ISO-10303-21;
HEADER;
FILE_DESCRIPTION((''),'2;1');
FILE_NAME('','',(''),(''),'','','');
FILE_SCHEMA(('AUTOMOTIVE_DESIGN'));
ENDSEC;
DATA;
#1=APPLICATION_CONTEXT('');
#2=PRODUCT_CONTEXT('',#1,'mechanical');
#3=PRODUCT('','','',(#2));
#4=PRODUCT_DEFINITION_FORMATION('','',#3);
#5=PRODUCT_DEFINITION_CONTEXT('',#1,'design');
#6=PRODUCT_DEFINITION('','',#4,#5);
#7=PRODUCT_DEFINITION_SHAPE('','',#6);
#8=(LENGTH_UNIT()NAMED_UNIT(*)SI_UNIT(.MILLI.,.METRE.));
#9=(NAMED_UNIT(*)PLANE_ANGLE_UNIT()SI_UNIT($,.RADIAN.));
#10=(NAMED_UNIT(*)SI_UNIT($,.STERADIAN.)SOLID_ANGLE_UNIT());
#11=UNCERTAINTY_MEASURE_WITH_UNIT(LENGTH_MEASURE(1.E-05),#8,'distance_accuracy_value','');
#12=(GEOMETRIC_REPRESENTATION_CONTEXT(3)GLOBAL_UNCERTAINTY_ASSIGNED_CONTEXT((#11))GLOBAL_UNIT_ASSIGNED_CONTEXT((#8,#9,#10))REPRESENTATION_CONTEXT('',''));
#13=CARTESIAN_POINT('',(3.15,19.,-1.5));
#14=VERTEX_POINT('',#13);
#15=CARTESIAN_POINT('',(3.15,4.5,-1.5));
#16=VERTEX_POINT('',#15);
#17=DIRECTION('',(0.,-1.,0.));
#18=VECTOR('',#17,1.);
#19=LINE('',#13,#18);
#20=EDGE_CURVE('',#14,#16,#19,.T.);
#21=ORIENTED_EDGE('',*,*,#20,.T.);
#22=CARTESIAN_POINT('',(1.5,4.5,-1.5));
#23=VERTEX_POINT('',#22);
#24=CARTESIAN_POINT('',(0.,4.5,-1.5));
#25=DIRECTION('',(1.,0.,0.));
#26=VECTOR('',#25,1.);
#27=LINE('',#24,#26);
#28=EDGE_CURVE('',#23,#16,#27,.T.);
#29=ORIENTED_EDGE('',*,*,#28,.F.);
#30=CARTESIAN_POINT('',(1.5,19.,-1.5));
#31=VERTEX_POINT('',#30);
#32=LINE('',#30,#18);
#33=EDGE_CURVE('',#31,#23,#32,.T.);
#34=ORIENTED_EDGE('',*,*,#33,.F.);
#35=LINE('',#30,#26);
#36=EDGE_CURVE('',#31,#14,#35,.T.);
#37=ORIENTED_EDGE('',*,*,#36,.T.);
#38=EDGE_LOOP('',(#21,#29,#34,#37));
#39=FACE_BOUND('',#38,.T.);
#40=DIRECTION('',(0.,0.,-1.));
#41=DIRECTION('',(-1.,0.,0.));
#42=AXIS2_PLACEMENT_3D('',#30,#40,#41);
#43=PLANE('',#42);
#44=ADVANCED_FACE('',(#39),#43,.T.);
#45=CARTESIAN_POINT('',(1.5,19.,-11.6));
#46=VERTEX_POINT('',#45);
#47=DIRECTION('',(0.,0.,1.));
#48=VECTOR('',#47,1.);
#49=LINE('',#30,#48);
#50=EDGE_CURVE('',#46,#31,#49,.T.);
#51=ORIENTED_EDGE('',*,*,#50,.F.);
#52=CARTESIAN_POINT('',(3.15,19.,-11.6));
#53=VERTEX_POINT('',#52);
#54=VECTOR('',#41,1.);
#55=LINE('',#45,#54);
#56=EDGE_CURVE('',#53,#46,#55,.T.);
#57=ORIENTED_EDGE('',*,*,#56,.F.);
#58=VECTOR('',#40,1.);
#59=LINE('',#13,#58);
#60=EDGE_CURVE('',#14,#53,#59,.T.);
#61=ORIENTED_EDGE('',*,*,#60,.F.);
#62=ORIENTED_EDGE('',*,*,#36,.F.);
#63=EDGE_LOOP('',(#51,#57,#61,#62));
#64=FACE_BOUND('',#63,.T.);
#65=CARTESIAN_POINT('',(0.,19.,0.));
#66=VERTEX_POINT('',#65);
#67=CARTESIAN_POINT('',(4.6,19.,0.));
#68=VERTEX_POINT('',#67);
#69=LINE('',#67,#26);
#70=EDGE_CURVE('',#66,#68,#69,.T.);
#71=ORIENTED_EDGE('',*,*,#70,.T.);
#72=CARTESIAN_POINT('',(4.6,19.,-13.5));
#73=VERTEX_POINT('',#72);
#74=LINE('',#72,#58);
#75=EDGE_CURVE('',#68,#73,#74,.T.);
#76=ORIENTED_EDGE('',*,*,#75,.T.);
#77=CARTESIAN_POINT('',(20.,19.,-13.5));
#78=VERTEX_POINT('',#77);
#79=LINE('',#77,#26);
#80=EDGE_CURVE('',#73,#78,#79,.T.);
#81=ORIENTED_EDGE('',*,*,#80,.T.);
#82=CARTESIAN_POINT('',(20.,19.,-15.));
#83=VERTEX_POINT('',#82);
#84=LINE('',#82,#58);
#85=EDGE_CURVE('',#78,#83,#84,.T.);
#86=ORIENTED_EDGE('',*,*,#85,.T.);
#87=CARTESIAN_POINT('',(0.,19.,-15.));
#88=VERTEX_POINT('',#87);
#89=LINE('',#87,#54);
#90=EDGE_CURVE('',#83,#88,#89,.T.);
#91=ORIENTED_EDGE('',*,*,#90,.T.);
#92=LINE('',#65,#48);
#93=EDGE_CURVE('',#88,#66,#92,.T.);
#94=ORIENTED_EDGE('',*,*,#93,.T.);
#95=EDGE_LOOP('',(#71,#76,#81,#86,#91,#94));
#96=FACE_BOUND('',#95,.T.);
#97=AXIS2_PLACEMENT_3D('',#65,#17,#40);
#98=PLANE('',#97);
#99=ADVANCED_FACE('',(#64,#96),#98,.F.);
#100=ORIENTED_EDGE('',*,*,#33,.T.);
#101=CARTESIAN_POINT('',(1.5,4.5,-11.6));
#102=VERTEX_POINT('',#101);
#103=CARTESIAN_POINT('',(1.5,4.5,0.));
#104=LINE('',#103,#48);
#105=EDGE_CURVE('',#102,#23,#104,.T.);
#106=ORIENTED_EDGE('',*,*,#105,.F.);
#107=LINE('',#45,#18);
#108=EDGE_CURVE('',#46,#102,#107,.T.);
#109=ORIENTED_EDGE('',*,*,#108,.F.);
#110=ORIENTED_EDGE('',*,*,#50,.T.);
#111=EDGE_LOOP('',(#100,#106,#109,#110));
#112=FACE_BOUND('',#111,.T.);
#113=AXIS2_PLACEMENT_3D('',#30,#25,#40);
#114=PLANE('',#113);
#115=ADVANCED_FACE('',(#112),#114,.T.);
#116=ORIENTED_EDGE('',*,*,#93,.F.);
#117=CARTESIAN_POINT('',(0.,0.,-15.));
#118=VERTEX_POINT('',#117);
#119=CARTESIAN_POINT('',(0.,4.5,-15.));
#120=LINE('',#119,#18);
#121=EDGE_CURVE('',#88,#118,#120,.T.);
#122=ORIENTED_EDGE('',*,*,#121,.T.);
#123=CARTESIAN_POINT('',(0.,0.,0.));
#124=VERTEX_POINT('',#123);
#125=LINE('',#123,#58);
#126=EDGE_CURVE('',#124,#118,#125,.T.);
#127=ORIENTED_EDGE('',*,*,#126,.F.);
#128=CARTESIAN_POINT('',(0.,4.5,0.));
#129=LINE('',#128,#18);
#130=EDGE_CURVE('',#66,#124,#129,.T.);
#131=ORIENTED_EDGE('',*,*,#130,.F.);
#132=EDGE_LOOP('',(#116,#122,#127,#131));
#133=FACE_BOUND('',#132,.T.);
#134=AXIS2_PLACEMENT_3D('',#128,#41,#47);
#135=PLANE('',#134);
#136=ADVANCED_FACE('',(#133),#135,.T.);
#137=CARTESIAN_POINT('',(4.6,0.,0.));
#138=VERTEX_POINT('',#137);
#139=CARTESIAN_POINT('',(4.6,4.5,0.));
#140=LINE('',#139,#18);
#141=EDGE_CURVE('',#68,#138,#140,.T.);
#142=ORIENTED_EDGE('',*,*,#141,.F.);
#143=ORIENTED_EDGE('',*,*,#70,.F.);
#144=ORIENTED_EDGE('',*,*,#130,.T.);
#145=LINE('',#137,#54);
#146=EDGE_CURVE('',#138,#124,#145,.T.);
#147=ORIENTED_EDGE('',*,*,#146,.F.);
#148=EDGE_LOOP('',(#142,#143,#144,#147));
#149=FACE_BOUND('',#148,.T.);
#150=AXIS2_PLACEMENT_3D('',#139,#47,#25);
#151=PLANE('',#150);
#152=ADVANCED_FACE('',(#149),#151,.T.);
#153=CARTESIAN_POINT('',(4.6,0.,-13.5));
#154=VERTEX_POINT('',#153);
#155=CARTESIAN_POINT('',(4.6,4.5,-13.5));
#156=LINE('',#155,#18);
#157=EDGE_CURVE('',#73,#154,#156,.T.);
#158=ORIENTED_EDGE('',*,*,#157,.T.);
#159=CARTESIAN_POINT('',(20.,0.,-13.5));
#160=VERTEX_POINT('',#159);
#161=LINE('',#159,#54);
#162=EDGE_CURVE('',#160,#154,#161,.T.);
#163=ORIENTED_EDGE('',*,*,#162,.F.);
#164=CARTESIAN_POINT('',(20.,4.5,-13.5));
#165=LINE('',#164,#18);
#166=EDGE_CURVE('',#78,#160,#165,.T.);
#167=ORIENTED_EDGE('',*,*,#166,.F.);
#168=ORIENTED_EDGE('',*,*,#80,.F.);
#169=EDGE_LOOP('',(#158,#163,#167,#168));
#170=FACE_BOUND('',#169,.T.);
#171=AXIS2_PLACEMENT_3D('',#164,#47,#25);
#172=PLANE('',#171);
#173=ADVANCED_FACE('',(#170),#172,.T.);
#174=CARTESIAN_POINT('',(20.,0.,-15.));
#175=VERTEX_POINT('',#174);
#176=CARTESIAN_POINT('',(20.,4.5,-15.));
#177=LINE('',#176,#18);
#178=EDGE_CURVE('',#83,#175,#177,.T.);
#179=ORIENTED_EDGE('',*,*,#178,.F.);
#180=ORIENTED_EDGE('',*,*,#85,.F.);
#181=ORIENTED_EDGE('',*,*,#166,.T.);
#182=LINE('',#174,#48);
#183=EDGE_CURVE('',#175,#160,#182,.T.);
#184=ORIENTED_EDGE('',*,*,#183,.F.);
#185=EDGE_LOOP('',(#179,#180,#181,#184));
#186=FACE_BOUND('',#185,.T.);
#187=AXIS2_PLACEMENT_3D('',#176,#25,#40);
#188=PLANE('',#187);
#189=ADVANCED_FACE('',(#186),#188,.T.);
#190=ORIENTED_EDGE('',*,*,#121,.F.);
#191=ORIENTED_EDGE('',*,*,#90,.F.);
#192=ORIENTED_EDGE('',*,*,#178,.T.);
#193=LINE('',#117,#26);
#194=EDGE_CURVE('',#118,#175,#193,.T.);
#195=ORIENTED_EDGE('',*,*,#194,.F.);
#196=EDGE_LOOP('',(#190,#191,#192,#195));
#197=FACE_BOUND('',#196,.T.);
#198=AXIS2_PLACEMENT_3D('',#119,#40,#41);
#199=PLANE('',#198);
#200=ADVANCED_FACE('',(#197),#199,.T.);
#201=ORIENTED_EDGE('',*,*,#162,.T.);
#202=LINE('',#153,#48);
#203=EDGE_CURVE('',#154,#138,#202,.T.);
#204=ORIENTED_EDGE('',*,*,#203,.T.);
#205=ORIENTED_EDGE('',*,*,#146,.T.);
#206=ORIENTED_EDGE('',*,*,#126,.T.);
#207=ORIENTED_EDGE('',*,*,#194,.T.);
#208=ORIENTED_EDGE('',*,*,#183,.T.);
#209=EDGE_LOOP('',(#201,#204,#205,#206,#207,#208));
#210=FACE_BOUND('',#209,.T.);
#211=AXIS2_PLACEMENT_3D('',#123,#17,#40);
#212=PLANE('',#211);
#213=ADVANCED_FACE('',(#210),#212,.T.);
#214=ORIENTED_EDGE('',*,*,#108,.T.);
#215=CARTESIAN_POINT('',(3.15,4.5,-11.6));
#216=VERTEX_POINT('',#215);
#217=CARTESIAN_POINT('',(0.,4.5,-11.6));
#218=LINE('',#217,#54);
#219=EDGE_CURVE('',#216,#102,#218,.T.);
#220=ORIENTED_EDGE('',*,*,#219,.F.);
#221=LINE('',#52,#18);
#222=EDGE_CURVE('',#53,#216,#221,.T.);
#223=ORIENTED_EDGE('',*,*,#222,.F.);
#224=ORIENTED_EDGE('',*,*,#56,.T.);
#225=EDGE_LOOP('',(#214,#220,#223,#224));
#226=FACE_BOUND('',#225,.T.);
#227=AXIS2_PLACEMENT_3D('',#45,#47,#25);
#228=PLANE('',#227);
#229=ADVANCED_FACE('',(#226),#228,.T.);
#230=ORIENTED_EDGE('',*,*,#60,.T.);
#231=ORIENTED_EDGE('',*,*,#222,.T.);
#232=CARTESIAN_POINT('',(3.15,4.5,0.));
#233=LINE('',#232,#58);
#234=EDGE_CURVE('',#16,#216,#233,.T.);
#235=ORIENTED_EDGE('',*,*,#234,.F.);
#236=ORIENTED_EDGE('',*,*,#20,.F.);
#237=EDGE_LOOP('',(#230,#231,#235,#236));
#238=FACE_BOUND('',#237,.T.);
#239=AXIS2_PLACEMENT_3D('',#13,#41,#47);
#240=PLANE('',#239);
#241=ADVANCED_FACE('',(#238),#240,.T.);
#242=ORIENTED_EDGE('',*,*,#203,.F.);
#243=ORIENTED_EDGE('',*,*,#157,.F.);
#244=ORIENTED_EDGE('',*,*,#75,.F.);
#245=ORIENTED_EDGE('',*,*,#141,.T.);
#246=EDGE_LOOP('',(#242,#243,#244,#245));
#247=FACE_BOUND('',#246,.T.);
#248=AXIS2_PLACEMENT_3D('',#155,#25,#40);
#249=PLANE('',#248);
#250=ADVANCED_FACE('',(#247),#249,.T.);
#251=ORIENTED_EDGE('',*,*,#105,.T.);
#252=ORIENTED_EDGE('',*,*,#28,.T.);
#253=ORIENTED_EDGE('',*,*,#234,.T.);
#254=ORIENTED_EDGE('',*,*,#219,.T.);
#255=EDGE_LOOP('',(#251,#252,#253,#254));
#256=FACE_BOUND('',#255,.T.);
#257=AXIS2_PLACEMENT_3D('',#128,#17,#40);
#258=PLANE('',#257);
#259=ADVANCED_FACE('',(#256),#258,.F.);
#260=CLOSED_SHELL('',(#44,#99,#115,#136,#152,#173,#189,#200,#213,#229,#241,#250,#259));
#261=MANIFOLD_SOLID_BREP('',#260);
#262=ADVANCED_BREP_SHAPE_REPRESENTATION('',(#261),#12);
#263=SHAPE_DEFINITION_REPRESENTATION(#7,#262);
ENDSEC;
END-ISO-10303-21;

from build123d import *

# Parameters (mm, degrees)
BOSS_EXTRUDE1_DEPTH = 4.5
SKETCH1_3_W         = 1.65
SKETCH1_3_H         = 10.1
BOSS_EXTRUDE2_DEPTH = 19


with BuildPart() as part:
    # Sketch1 → Boss-Extrude1 (new body)
    with BuildSketch(Plane(origin=(0, 0, 0), x_dir=(1, 0, 0), z_dir=(0, 1, 0))):
        Polygon((0, 0), (0, 15), (20, 15), (20, 13.5), (4.6, 13.5), (4.6, 0), align=None)
    extrude(amount=BOSS_EXTRUDE1_DEPTH)

    # Sketch1<3> → Boss-Extrude2 (add)
    with BuildSketch(Plane(origin=(0, 0, 0), x_dir=(1, 0, 0), z_dir=(0, 1, 0))):
        Polygon((0, 0), (0, 15), (20, 15), (20, 13.5), (4.6, 13.5), (4.6, 0), align=None)
        with Locations((2.325, 6.55)):
            Rectangle(SKETCH1_3_W, SKETCH1_3_H, mode=Mode.SUBTRACT)
    extrude(amount=BOSS_EXTRUDE2_DEPTH)


solid = part.part
